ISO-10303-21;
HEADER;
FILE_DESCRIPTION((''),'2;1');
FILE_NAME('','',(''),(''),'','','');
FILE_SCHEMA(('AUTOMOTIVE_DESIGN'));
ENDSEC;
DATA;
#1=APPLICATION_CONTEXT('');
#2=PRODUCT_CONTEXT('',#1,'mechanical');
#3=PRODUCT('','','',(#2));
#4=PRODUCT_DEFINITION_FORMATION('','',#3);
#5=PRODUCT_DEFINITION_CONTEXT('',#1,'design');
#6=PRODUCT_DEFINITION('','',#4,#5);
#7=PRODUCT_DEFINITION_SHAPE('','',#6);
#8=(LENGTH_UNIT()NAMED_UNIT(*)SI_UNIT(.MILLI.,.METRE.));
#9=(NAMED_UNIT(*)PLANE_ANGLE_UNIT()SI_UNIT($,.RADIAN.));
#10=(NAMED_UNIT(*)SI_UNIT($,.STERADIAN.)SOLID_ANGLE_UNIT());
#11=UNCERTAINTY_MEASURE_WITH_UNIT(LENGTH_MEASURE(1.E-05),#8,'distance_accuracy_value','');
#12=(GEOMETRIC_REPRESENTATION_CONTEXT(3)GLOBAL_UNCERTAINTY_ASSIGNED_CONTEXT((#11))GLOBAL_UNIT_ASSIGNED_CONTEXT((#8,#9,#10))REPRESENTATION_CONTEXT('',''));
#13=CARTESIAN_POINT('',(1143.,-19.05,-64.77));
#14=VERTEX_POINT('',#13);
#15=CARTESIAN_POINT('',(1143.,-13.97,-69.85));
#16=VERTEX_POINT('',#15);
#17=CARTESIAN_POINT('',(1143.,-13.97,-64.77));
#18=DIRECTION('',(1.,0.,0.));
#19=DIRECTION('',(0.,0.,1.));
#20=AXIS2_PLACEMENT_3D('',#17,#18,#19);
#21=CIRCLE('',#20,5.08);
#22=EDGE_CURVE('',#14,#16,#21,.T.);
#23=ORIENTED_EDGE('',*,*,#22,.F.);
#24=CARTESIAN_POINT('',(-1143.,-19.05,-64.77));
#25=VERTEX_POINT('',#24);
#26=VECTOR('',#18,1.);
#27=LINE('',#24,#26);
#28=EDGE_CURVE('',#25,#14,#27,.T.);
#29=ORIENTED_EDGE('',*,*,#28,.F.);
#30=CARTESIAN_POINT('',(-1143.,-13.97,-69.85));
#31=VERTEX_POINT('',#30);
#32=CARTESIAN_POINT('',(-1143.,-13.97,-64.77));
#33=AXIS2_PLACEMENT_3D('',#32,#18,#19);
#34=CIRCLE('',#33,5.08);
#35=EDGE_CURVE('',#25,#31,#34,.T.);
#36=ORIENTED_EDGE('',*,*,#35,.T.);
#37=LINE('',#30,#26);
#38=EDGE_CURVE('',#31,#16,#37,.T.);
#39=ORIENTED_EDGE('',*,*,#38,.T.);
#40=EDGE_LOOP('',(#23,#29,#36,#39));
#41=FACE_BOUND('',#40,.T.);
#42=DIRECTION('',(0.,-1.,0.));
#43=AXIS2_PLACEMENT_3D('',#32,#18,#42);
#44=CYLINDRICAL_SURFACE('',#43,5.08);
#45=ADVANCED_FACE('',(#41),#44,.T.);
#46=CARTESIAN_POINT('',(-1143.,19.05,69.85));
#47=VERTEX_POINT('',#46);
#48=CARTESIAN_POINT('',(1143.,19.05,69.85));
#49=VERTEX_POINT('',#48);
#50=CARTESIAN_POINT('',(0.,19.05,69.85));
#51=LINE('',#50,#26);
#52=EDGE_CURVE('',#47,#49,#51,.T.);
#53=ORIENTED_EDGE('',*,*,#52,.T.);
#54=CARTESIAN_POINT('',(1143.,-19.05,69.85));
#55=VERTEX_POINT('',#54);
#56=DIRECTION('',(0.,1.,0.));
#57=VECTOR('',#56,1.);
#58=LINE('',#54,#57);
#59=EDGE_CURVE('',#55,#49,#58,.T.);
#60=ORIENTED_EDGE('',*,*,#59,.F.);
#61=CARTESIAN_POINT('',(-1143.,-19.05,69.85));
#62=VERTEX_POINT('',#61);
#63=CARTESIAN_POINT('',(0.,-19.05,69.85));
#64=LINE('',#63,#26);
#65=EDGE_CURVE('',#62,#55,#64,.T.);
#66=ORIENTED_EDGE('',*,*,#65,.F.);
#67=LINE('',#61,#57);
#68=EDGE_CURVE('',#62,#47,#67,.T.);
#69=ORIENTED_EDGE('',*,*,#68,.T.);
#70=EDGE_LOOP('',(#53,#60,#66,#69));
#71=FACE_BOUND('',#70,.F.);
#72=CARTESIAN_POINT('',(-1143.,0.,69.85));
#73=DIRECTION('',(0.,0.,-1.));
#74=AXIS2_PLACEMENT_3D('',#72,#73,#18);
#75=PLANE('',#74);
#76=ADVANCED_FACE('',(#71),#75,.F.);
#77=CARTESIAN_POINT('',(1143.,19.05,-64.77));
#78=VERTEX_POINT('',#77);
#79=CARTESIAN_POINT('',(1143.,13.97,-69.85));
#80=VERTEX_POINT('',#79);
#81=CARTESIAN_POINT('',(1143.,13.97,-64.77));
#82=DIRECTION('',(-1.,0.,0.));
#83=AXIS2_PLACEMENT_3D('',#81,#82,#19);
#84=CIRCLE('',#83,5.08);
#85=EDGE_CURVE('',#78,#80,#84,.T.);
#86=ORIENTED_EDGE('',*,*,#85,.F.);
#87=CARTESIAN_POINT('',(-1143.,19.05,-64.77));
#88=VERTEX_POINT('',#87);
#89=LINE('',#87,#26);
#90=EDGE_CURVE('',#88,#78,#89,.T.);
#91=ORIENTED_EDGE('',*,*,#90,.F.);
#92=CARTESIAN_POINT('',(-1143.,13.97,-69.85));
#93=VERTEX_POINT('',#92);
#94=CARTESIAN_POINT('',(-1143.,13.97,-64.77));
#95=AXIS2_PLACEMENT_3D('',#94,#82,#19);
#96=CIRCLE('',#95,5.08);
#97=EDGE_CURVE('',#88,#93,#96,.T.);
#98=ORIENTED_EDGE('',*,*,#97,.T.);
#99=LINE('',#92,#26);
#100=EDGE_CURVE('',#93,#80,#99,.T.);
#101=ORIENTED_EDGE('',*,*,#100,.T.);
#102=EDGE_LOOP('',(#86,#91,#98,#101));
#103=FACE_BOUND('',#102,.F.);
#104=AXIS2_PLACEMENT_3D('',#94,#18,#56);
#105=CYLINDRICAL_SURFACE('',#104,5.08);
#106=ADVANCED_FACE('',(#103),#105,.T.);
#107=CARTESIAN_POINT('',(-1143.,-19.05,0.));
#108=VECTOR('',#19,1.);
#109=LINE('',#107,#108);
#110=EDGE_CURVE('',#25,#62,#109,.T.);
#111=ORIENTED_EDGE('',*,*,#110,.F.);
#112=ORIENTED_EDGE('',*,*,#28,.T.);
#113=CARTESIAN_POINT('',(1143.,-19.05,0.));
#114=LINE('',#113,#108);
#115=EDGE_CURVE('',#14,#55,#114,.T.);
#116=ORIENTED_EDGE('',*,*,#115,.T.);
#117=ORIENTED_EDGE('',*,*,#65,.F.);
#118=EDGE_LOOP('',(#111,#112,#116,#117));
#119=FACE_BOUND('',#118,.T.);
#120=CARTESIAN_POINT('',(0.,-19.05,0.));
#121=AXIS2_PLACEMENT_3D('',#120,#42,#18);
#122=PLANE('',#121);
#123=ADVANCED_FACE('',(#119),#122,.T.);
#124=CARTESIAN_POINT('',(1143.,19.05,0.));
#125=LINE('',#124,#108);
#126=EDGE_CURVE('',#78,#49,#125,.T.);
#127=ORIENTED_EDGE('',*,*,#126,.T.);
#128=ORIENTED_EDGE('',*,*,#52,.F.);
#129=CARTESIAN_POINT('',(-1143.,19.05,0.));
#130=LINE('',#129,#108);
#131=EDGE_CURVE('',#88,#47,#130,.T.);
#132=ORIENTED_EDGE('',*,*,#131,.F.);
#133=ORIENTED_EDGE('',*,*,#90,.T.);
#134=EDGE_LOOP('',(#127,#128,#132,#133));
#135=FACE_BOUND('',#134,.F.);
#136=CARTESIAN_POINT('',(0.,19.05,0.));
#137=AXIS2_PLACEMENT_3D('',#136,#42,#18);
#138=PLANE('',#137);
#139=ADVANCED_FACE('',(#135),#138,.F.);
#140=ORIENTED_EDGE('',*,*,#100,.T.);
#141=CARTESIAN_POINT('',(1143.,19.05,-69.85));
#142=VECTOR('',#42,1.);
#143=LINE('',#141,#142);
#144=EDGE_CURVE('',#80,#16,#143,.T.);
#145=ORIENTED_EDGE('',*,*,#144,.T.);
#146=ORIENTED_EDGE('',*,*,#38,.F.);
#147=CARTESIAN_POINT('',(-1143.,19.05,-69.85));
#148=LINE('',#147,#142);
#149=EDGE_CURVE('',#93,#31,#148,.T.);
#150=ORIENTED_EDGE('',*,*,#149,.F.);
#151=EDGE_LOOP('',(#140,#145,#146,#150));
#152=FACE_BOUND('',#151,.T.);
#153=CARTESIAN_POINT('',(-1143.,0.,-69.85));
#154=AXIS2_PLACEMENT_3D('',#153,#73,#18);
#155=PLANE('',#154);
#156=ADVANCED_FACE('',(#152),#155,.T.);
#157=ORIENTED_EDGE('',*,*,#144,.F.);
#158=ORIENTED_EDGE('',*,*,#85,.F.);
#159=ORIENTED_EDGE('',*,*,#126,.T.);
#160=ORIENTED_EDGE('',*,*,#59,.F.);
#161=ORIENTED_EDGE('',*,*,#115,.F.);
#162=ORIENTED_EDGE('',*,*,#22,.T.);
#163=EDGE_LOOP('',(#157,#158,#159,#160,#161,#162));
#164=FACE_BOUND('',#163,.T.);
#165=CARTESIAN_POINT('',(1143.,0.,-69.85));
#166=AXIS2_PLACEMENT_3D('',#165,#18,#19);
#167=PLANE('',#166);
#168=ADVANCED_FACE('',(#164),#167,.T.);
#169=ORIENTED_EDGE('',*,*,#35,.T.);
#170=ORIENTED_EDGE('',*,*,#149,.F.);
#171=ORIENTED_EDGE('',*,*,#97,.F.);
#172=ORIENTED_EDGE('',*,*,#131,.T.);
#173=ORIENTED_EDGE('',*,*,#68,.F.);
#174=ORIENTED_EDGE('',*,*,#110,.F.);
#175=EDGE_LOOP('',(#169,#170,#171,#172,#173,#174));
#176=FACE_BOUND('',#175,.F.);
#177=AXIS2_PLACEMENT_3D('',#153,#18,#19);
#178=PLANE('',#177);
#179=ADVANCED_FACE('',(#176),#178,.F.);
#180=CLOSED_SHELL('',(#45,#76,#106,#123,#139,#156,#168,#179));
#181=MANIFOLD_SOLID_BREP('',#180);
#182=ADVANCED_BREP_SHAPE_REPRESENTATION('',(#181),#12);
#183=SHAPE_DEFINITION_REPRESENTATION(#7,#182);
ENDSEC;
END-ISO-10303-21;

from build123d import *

# Parameters (mm, degrees)
F0_W          = 2286
F0_H          = 139.7
F1_DEPTH      = 19.05
F1_DEPTH_BACK = 19.05
F2_R          = 5.08


with BuildPart() as f1:
    # F0 (on Front) → F1 (new body, two sides)
    with BuildSketch(Plane.XZ) as f1_sk:
        Rectangle(F0_W, F0_H)
    extrude(amount=F1_DEPTH)
    extrude(f1_sk.sketch, amount=-F1_DEPTH_BACK)

    # F2
    f2_edges = [f1.edges().sort_by_distance(p)[0] for p in [
        (0, -19.05, -69.85),
        (0, 19.05, -69.85),
    ]]
    fillet(f2_edges, radius=F2_R)


solid = f1.part
